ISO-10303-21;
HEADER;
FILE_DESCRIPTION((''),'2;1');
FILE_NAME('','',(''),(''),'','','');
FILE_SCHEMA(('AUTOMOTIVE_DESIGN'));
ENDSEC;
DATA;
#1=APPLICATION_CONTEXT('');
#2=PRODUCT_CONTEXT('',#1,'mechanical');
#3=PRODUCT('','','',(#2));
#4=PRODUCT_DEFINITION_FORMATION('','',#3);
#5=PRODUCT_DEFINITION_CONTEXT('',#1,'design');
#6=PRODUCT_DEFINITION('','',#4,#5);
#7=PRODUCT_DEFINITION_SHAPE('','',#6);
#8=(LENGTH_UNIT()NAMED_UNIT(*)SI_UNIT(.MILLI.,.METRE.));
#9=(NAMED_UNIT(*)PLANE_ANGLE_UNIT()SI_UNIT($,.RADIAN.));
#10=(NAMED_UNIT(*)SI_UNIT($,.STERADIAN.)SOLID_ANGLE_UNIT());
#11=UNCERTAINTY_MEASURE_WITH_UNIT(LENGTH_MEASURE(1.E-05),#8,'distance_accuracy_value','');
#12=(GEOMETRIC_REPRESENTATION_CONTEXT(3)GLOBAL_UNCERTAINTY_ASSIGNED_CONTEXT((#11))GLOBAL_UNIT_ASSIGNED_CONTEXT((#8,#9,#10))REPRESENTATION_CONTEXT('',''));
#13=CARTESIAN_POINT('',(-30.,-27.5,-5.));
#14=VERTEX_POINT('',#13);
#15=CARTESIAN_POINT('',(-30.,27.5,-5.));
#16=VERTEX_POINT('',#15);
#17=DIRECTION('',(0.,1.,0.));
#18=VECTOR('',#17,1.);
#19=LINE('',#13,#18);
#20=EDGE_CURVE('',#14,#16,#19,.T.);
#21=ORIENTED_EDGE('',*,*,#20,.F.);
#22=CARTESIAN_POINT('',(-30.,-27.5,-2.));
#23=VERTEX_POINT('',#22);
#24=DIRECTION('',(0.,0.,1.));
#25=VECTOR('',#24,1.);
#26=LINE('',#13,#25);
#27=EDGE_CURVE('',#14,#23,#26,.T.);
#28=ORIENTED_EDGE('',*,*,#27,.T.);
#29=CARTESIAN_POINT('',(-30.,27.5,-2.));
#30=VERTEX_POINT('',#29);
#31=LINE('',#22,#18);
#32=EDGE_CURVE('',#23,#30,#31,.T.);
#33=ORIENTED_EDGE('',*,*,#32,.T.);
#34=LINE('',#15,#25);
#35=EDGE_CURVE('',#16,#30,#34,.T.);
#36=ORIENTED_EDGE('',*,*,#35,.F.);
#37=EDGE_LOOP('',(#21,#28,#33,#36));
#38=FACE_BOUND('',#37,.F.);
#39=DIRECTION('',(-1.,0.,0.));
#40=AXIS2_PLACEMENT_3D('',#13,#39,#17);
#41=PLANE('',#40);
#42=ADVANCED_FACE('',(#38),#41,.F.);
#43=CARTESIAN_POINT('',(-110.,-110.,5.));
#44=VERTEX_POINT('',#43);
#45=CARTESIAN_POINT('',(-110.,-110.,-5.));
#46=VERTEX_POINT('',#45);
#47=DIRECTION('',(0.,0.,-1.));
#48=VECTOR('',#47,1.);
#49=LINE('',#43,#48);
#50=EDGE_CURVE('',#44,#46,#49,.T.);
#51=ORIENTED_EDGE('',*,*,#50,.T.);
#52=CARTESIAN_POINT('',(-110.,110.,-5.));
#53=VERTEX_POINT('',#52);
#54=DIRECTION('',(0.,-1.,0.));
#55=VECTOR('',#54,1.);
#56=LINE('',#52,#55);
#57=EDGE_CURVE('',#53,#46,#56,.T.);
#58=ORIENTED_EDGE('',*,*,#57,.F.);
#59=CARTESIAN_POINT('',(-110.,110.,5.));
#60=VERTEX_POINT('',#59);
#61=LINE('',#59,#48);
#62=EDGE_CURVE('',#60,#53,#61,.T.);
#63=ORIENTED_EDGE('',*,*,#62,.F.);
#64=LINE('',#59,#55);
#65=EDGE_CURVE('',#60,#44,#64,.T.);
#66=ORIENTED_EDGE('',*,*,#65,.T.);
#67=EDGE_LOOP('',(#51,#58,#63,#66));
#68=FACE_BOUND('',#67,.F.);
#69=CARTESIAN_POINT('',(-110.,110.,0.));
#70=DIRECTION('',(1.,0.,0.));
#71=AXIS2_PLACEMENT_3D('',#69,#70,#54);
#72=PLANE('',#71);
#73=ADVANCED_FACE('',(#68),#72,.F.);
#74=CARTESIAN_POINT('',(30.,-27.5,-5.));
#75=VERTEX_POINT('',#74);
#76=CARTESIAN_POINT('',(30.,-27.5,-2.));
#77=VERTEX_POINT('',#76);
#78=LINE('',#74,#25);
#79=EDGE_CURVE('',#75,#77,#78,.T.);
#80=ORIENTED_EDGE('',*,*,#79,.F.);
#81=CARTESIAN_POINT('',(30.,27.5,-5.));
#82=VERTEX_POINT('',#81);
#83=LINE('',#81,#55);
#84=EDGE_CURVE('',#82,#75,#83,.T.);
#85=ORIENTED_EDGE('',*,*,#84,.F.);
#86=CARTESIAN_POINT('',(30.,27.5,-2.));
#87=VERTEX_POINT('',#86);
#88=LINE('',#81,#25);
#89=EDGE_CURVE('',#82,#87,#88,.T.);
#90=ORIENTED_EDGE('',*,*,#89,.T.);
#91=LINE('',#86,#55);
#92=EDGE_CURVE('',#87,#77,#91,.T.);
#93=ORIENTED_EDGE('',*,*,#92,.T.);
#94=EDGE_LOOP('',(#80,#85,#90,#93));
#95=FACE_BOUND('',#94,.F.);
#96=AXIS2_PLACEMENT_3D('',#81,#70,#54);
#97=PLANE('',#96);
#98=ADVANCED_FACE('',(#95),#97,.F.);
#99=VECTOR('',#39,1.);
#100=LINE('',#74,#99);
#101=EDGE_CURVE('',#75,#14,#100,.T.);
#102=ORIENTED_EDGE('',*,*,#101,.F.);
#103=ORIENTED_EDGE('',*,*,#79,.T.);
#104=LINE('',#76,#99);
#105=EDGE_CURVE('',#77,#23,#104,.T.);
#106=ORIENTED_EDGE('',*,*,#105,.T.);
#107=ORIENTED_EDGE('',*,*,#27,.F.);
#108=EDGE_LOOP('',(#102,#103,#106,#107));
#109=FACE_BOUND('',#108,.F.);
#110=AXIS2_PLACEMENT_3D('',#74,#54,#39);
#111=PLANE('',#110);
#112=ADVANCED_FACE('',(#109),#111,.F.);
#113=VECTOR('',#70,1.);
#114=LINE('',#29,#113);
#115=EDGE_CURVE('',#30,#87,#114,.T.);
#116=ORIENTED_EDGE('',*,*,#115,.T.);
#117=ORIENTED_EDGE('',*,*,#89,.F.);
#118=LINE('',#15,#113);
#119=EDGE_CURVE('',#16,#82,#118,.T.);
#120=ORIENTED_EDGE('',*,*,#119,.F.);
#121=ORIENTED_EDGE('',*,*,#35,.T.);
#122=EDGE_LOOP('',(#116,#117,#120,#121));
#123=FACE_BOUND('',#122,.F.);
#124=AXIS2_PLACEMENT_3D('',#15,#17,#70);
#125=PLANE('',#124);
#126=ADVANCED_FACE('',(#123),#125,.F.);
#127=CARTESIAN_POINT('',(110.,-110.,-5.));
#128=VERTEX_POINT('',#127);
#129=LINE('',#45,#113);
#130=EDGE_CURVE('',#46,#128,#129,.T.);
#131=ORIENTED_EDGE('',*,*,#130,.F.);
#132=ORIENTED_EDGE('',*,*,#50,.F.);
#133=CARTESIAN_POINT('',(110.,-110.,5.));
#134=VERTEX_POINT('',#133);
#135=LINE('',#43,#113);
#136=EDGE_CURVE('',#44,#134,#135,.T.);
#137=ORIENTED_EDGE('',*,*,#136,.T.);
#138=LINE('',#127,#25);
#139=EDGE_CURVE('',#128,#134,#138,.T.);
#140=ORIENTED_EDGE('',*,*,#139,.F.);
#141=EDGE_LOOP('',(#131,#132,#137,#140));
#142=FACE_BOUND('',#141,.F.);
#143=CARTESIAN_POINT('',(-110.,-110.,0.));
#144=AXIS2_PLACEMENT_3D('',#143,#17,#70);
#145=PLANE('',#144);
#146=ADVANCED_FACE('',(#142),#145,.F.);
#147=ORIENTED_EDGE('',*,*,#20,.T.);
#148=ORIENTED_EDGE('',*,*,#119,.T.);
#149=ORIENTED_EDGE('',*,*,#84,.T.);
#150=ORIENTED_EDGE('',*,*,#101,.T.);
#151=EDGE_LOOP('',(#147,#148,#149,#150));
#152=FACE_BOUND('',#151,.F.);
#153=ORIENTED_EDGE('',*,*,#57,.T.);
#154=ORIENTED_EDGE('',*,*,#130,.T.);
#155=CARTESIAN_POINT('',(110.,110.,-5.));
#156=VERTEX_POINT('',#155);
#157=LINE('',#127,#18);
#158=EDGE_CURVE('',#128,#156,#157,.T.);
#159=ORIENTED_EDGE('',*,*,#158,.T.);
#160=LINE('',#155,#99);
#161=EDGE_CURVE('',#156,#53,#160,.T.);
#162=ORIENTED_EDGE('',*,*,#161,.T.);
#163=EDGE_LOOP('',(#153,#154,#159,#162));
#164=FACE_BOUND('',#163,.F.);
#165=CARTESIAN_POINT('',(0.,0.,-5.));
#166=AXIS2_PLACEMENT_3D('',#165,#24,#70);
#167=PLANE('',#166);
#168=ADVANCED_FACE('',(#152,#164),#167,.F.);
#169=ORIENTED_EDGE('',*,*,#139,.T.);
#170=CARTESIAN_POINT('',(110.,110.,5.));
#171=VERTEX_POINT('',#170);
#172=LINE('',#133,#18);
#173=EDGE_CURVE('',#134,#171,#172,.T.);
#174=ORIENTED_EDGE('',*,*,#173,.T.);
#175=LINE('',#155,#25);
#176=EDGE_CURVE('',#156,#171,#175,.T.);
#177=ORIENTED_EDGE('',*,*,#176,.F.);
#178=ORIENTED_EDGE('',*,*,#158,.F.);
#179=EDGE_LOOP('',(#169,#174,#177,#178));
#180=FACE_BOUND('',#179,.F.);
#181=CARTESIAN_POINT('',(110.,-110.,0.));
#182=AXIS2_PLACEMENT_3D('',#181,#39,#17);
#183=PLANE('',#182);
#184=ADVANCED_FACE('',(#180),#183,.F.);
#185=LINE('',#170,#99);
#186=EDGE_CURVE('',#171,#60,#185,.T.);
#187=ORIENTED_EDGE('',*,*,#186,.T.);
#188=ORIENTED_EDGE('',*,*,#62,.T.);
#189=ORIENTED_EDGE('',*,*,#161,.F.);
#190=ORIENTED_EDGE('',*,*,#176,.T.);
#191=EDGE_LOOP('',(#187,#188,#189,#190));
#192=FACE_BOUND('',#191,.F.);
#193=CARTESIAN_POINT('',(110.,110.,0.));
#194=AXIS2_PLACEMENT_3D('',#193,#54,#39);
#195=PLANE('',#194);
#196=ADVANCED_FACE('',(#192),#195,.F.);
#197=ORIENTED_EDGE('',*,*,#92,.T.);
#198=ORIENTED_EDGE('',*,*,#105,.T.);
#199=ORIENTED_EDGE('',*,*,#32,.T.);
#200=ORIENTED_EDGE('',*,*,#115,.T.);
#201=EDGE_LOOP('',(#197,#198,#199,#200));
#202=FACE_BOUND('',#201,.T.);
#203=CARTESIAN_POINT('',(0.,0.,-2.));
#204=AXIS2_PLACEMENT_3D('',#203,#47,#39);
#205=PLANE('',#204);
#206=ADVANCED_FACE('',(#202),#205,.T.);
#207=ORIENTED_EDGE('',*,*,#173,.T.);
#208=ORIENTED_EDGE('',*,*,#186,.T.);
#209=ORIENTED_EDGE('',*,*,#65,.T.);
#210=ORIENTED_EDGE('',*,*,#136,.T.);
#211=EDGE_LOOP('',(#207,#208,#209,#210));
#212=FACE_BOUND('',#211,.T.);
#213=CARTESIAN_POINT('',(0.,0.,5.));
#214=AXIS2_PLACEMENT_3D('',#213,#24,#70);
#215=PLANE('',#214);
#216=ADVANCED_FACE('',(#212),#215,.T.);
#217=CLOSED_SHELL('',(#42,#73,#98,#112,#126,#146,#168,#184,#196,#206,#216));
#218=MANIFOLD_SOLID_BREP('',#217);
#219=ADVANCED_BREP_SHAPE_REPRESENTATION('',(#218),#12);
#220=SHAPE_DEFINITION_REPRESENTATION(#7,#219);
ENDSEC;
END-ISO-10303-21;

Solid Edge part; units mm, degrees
sketch "Sketch1" plane through (0, 0, 0) normal (0, 0, 1) x (1, 0, 0)
  line L0 (-110, -110) -> (110, -110)
  line L1 (110, -110) -> (110, 110)
  line L2 (110, 110) -> (-110, 110)
  line L3 (-110, 110) -> (-110, -110)
extrude "Protrusion1" add sketch "Sketch1" along normal mid plane 10
sketch "Sketch2" plane through (0, 0, -5) normal (0, 0, -1) x (1, 0, 0)
  line L0 (-30, -27.5) -> (30, -27.5)
  line L1 (30, -27.5) -> (30, 27.5)
  line L2 (30, 27.5) -> (-30, 27.5)
  line L3 (-30, 27.5) -> (-30, -27.5)
extrude "ExtrudedCutout_1" cut sketch "Sketch2" against normal blind 3
